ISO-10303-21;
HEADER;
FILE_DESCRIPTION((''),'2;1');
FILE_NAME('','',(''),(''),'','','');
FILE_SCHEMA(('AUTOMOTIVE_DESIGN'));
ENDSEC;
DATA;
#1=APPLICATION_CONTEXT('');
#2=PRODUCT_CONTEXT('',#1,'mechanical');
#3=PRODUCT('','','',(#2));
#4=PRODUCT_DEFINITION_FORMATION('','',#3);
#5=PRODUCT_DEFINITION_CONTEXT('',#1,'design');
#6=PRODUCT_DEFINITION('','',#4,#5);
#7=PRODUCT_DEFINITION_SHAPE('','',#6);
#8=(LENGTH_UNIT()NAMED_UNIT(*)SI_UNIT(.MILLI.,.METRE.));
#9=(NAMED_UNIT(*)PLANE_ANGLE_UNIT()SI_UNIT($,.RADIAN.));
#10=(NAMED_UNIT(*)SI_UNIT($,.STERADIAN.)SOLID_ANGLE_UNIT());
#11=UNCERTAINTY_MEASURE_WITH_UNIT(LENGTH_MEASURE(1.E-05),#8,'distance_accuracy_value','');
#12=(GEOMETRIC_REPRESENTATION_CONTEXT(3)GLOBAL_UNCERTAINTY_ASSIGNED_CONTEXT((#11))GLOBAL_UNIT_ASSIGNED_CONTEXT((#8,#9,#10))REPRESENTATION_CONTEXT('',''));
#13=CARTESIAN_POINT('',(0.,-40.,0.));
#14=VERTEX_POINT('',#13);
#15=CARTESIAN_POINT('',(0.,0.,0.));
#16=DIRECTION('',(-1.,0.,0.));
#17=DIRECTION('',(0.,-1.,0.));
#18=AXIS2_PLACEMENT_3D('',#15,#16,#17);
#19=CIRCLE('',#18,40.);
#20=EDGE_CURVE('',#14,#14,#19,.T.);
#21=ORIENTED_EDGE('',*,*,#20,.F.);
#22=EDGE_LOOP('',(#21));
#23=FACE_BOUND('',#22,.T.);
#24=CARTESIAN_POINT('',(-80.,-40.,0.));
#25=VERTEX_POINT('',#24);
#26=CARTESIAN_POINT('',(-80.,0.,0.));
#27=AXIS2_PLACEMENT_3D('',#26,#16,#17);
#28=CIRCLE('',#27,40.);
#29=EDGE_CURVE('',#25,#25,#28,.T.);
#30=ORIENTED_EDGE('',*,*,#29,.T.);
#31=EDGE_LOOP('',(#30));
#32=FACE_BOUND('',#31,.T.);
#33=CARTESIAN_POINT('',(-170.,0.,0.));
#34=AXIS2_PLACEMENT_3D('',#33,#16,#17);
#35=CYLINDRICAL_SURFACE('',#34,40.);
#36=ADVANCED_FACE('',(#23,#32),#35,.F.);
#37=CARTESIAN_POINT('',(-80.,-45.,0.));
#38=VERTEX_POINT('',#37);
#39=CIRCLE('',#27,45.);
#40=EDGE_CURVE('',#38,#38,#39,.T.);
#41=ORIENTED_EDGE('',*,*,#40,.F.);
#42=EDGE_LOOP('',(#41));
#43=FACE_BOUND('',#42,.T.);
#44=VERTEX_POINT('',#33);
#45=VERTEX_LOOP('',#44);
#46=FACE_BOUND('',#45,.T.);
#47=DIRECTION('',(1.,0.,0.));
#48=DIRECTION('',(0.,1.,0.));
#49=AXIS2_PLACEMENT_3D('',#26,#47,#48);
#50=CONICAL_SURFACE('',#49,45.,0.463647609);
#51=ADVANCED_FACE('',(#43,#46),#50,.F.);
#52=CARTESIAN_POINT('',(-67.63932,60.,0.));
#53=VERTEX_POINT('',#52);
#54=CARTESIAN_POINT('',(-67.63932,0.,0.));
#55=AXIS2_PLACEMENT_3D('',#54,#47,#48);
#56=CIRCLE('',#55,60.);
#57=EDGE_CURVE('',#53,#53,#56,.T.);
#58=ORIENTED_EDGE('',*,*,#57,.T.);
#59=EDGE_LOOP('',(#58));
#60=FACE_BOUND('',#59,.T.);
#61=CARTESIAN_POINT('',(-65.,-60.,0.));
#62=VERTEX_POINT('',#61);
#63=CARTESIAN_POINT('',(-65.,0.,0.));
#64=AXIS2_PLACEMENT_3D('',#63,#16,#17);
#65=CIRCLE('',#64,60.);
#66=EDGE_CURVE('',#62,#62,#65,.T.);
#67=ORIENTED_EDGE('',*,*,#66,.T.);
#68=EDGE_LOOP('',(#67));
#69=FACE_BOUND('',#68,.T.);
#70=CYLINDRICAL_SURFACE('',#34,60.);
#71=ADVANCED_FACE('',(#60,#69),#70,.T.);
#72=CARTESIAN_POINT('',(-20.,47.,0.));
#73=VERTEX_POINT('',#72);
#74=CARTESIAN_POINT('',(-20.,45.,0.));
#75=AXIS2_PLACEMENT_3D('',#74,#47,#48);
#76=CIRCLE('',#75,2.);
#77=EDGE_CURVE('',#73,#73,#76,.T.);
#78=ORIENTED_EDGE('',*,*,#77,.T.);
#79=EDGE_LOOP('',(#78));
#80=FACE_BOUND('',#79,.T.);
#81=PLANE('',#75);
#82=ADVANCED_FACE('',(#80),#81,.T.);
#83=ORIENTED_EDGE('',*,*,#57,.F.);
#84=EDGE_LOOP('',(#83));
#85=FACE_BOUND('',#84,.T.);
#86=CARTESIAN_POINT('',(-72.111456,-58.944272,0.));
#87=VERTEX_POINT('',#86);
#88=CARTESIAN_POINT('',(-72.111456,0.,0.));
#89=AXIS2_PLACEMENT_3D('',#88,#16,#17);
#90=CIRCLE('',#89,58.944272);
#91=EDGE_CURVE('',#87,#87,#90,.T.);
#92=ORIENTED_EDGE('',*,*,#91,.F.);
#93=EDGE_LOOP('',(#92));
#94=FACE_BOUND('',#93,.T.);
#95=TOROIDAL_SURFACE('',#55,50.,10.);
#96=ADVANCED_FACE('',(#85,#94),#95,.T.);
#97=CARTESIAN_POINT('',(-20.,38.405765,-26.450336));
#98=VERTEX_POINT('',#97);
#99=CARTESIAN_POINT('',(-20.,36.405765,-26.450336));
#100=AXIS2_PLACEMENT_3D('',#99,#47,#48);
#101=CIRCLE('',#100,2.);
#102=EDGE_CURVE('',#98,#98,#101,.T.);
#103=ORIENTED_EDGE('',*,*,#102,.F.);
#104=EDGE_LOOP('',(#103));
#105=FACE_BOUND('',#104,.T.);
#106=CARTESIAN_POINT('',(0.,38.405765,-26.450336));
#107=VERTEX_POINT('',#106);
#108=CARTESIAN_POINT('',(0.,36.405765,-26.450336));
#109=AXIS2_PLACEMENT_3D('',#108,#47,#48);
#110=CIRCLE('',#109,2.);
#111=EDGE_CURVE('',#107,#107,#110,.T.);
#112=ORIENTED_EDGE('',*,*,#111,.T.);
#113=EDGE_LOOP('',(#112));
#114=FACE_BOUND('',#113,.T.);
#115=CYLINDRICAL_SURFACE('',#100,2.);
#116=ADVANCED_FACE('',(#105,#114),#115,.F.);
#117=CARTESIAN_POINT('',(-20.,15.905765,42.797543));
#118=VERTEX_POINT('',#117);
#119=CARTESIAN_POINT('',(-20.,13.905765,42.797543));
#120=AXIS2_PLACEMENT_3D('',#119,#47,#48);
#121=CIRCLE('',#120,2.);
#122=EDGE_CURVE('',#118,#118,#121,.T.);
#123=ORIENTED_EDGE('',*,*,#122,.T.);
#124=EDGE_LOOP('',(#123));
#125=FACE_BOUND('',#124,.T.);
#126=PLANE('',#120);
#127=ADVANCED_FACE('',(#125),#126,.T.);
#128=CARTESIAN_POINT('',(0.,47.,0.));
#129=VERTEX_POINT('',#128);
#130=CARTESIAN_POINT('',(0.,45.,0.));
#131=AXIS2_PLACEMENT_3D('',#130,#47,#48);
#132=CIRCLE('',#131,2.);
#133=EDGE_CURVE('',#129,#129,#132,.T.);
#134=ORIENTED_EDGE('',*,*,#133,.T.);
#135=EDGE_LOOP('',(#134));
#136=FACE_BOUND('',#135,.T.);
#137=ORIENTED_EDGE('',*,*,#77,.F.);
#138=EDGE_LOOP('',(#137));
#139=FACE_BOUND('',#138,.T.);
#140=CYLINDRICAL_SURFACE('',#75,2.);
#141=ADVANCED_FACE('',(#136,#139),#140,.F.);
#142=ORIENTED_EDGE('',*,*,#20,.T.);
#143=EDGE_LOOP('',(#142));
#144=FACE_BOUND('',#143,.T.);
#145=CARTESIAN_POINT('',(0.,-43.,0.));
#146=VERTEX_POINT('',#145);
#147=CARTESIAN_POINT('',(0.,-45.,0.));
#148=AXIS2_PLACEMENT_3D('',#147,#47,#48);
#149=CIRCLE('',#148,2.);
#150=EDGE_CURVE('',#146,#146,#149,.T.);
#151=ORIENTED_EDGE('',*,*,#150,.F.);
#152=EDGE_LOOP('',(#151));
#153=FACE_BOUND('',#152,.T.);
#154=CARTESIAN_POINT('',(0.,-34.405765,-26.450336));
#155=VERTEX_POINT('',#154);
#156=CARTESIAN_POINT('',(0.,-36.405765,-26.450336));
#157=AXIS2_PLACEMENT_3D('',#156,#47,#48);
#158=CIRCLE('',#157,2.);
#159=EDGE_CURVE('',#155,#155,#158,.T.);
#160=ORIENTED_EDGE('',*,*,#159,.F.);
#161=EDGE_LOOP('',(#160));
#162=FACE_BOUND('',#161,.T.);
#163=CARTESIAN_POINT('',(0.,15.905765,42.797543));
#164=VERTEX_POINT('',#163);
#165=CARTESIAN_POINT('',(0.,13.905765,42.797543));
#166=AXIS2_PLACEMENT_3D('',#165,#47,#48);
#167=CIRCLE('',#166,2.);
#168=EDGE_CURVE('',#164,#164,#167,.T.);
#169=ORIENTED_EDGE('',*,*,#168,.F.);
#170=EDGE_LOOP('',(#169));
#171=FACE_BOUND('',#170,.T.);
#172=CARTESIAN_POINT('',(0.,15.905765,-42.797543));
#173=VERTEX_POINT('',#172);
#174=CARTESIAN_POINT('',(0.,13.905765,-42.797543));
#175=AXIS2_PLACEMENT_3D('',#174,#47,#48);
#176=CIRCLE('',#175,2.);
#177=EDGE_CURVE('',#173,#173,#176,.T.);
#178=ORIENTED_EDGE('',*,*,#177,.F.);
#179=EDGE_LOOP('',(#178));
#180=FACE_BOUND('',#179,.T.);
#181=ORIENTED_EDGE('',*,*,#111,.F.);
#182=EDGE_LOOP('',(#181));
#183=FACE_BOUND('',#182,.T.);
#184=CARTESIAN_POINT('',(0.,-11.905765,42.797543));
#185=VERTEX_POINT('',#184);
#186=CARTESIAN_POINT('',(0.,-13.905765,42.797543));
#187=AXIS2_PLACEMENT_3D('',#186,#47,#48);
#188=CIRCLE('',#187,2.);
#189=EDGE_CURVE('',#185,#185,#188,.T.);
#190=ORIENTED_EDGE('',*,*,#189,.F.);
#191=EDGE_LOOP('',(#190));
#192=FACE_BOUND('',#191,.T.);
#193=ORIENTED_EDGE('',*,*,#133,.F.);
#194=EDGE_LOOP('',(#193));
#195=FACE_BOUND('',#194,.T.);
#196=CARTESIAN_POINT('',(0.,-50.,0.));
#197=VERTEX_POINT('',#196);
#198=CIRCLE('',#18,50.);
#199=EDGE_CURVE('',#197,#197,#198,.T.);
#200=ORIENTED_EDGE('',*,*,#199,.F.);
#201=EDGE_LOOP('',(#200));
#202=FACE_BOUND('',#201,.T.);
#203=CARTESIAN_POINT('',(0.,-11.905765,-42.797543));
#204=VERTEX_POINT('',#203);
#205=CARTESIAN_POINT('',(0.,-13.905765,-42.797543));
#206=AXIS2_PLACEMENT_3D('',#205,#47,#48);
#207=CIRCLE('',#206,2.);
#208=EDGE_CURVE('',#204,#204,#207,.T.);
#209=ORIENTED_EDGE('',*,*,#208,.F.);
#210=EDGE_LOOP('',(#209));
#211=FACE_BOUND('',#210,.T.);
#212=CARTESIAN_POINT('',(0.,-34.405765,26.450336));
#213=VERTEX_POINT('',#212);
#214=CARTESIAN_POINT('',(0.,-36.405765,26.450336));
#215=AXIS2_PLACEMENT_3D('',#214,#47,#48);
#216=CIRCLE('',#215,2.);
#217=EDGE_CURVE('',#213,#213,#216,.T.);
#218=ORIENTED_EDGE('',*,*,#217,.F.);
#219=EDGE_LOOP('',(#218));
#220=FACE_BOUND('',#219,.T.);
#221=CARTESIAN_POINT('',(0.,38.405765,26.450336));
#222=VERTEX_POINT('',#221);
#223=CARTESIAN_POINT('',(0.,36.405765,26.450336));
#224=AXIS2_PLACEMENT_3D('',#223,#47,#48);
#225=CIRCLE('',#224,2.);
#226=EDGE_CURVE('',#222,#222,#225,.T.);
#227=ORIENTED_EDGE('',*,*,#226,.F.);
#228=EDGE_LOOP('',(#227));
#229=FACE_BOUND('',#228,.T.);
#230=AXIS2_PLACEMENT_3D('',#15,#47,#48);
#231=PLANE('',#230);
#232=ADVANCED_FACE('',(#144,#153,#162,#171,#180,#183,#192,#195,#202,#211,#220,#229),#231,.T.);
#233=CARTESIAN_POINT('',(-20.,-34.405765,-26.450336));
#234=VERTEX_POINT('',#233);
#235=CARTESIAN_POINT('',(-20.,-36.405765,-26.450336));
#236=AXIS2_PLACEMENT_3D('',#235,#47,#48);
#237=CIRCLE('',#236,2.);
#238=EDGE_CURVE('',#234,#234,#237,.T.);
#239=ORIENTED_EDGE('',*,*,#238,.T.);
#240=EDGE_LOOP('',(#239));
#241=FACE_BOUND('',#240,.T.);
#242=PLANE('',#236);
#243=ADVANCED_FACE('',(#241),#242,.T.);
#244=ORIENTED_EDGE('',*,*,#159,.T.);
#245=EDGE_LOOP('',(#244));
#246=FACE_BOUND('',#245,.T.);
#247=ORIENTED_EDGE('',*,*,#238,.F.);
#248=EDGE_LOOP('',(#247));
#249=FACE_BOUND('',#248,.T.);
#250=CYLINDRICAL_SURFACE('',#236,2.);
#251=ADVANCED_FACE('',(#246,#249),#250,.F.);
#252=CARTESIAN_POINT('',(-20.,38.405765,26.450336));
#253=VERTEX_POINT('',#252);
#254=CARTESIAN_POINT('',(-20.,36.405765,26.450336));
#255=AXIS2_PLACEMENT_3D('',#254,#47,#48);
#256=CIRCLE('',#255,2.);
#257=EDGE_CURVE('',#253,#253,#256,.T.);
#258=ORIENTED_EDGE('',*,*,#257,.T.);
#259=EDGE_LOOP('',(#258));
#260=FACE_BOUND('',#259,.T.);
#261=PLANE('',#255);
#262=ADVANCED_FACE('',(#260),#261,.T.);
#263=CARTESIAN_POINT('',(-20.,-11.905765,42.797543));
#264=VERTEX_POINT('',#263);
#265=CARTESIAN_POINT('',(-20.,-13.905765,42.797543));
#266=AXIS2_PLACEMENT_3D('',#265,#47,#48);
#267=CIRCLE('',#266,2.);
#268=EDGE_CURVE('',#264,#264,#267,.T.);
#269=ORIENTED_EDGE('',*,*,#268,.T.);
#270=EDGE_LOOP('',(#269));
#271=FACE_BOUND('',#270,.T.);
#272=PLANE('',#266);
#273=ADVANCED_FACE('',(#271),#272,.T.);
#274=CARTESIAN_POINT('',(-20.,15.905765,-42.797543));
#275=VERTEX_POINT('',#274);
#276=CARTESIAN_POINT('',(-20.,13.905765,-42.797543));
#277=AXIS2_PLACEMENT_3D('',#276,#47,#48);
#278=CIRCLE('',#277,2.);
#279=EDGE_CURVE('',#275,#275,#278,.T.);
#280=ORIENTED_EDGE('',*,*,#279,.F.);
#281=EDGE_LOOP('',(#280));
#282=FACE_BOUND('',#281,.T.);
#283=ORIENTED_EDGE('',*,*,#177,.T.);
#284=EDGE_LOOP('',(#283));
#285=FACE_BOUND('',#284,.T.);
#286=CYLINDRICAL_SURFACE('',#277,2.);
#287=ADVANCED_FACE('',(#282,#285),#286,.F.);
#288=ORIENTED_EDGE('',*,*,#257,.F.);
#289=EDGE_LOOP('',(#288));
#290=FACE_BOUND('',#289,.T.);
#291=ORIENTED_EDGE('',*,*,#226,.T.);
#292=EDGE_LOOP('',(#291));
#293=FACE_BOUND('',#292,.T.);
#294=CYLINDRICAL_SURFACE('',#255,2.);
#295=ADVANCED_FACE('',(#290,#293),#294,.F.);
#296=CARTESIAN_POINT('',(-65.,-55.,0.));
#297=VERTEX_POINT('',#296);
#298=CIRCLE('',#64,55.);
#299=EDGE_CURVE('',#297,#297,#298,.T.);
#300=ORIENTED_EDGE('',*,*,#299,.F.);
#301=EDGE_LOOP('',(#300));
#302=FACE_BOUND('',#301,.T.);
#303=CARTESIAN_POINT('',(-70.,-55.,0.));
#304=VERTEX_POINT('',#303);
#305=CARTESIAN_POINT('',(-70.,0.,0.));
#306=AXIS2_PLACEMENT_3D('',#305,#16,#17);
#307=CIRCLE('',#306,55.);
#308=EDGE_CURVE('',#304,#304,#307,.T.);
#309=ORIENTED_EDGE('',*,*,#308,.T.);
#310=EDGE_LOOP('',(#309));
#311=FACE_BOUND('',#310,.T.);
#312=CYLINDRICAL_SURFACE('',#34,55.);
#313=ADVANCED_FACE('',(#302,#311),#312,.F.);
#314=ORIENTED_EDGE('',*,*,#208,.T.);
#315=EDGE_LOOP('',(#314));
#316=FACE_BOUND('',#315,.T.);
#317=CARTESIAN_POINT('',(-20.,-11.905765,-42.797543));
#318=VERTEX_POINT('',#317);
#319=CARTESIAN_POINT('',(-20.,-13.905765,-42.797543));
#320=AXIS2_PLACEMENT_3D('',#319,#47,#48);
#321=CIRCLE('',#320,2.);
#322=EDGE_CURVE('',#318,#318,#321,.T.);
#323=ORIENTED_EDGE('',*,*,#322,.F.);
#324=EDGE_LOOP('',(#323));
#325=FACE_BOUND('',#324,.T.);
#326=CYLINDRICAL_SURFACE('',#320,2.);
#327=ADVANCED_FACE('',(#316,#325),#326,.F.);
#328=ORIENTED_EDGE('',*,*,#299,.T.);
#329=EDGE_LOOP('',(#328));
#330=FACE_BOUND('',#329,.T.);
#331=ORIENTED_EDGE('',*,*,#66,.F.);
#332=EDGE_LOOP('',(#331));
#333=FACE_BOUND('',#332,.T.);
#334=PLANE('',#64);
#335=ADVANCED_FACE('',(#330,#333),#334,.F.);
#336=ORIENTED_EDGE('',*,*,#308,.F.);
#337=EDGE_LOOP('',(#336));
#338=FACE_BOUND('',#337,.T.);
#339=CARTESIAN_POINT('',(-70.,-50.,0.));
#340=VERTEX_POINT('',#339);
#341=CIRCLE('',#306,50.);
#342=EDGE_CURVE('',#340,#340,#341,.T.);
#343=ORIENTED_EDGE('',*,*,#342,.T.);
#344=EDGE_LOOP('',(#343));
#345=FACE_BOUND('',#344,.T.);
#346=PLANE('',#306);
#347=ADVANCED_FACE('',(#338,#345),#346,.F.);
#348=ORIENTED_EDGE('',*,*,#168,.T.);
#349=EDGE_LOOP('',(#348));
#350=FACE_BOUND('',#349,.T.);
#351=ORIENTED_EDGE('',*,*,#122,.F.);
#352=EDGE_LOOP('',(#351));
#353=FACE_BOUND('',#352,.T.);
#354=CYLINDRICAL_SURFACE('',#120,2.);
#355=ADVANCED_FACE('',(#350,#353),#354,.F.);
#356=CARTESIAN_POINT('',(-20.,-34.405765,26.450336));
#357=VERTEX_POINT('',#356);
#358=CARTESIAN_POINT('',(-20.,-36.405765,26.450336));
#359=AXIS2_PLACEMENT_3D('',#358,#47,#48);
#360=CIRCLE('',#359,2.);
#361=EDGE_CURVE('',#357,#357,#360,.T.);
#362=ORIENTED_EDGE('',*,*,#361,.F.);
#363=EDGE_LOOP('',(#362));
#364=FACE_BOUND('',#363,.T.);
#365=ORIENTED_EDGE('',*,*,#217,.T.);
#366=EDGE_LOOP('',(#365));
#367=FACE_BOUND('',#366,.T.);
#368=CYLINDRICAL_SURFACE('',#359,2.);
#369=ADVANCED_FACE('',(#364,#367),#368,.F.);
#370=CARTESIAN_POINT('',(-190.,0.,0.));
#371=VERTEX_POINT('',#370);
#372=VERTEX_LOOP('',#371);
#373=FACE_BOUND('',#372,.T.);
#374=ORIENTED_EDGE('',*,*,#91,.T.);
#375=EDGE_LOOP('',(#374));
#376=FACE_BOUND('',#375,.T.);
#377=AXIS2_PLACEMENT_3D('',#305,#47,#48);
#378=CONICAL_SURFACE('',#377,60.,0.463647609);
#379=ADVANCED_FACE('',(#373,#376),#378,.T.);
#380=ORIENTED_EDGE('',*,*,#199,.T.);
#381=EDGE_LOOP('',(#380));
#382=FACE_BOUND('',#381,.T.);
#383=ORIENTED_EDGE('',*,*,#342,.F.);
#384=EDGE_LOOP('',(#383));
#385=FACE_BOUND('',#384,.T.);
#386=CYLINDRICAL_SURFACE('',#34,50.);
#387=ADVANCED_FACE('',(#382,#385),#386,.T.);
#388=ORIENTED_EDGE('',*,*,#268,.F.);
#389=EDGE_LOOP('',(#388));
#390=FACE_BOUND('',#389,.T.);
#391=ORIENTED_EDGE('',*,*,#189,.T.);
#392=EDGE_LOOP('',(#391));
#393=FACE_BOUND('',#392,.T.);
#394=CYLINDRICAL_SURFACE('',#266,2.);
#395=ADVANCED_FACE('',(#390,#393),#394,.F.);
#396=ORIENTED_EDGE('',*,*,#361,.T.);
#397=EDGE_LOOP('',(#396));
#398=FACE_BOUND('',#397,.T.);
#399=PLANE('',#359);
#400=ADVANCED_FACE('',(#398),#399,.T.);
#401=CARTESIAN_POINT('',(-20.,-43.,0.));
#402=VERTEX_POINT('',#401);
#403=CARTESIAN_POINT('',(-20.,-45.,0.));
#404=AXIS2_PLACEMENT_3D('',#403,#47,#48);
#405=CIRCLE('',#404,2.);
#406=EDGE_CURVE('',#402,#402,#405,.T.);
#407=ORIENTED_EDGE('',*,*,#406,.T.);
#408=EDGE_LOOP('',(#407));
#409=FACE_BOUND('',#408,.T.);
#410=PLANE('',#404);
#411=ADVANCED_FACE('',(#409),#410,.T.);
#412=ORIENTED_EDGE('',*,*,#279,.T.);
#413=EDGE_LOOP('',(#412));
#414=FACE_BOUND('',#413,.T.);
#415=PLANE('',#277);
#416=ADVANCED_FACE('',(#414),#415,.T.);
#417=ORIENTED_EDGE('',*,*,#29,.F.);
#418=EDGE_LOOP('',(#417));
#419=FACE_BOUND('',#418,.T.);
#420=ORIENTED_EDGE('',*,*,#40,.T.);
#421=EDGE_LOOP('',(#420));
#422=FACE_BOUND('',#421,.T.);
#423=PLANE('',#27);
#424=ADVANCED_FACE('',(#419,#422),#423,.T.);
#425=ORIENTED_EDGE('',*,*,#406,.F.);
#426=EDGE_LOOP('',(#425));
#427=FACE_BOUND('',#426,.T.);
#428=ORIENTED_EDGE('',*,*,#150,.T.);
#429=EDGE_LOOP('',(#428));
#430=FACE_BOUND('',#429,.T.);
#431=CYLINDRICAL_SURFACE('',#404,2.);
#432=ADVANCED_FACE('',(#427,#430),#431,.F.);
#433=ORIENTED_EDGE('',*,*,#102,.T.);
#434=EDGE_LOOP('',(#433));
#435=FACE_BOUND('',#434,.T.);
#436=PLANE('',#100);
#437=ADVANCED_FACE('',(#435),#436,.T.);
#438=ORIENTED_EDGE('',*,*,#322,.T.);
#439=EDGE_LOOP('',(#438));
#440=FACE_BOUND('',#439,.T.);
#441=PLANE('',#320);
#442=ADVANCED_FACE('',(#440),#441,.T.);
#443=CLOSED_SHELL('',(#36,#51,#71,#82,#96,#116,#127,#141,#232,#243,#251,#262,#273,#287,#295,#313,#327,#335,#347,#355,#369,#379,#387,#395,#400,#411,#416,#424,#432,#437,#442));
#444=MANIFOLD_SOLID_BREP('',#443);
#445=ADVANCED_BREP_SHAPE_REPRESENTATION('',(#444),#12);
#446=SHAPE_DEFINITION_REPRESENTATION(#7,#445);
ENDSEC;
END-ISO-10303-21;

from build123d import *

# Parameters (mm, degrees)
SKETCH2_R          = 2
CUT_EXTRUDE1_DEPTH = 20
FILLET1_R          = 10


with BuildPart() as part:
    # Sketch1 → Revolve1 (revolve)
    with BuildSketch(Plane.XY, mode=Mode.PRIVATE) as revolve1_sk:
        Polygon((-170, 0), (-190, 0), (-70, 60), (-65, 60), (-65, 55), (-70, 55), (-70, 50), (0, 50), (0, 40), (-80, 40), (-80, 45), align=None)
    revolve(revolve1_sk.sketch.rotate(Axis((-170, 0, 0), (1, 0, 0)), 180), axis=Axis((-170, 0, 0), (1, 0, 0)))

    # Sketch2 → Cut-Extrude1 (cut)
    with BuildSketch(Plane(origin=(0, 0, 0), x_dir=(0, 0, -1), z_dir=(1, 0, 0))):
        with Locations(Location((0, 45, 0), (0, 0, 90))):
            Circle(SKETCH2_R)
        with Locations(Location((26.450336353, 36.405764747, 0), (0, 0, 90))):
            Circle(SKETCH2_R)
        with Locations(Location((42.797543233, 13.905764747, 0), (0, 0, 90))):
            Circle(SKETCH2_R)
        with Locations(Location((42.797543233, -13.905764747, 0), (0, 0, 90))):
            Circle(SKETCH2_R)
        with Locations(Location((26.450336353, -36.405764747, 0), (0, 0, 90))):
            Circle(SKETCH2_R)
        with Locations(Location((0, -45, 0), (0, 0, 90))):
            Circle(SKETCH2_R)
        with Locations(Location((-26.450336353, -36.405764747, 0), (0, 0, 90))):
            Circle(SKETCH2_R)
        with Locations(Location((-42.797543233, -13.905764747, 0), (0, 0, 90))):
            Circle(SKETCH2_R)
        with Locations(Location((-42.797543233, 13.905764747, 0), (0, 0, 90))):
            Circle(SKETCH2_R)
        with Locations(Location((-26.450336353, 36.405764747, 0), (0, 0, 90))):
            Circle(SKETCH2_R)
    extrude(amount=-CUT_EXTRUDE1_DEPTH, mode=Mode.SUBTRACT)

    # Fillet1
    fillet1_edges = [part.edges().sort_by_distance(p)[0] for p in [
        (-70, 60, 0),
    ]]
    fillet(fillet1_edges, radius=FILLET1_R)


solid = part.part
